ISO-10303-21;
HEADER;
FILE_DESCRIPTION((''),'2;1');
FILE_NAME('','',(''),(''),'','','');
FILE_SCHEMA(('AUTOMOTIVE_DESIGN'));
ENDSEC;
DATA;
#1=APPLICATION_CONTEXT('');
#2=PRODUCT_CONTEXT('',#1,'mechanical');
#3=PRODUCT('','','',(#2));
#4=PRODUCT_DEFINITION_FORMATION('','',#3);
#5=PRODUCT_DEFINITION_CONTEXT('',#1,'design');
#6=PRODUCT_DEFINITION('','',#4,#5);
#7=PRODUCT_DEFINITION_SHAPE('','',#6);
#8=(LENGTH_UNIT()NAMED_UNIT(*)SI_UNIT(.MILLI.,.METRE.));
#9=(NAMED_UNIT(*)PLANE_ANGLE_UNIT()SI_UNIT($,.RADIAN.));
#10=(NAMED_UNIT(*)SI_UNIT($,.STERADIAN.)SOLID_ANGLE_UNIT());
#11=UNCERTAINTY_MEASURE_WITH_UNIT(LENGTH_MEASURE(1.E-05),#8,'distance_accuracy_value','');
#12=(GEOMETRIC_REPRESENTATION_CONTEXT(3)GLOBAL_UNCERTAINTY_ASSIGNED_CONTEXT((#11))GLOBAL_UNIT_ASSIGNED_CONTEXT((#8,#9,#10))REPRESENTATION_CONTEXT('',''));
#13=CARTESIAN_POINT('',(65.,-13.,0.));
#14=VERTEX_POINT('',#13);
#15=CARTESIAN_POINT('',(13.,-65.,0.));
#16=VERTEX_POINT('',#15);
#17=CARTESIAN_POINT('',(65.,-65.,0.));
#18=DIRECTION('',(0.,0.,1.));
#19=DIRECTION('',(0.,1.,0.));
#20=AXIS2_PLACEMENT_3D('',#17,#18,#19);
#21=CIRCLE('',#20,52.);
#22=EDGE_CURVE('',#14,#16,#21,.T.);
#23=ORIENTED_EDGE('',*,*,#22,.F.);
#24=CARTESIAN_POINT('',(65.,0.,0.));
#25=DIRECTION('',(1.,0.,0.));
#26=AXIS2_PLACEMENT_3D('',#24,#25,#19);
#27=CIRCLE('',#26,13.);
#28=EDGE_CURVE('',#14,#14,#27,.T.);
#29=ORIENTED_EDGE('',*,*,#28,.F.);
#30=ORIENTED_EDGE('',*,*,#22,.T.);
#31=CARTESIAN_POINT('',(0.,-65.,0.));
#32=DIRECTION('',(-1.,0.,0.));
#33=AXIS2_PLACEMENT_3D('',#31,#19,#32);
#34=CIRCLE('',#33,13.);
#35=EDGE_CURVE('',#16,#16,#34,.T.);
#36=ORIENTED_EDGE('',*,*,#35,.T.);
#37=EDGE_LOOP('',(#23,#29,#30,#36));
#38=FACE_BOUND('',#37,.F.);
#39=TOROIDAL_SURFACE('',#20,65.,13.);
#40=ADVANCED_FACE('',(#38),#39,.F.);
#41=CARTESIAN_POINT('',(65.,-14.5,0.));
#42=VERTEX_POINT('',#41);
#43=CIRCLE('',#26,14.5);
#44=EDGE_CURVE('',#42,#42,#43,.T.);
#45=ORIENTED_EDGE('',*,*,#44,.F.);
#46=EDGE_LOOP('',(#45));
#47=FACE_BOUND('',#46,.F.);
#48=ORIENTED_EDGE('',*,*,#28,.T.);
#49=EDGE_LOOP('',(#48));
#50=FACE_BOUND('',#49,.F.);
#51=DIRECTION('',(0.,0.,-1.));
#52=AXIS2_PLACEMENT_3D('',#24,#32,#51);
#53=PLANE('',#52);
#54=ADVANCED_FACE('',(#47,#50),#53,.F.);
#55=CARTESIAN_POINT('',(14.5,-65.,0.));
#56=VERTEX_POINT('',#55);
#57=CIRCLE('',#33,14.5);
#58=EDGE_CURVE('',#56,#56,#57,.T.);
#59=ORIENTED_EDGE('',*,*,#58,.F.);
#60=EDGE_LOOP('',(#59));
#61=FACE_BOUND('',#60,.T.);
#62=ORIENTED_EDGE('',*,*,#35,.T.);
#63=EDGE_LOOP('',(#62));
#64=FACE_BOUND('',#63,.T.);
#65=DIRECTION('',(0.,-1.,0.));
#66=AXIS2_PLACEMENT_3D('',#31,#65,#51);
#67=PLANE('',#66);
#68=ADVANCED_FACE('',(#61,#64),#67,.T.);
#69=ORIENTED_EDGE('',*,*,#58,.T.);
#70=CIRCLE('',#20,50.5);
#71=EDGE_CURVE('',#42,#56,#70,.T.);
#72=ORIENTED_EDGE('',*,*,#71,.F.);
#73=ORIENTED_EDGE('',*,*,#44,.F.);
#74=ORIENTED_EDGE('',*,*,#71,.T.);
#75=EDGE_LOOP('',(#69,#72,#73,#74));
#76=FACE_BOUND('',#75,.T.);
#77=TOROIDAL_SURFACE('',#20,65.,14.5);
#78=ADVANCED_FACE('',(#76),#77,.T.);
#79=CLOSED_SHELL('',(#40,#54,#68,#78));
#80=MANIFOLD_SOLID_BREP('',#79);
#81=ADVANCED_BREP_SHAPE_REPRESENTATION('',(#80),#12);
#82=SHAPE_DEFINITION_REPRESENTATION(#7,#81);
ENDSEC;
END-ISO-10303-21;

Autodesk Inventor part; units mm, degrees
ref_plane "YZ Plane" through (0, 0, 0) normal (1, 0, 0) x (0, 1, 0)
ref_plane "XZ Plane" through (0, 0, 0) normal (0, 1, 0) x (-1, 0, 0)
sketch "Szkic6" plane through (0, 0, 0) normal (0, 0, 1) x (1, 0, 0)
  line L0 (-29.6067, 0) -> (35.2678, 0) construction
  line L1 (0, 42.3419) -> (0, -58.3726) construction
  arc A0 (65, 0) -> (0, -65) centre (65, -65) ccw
  line L2 (0, -65) -> (65, -65) construction
  line L3 (65, -65) -> (65, 0.5331) construction
  line L4 (65, 0) -> (65, 0)
  line L5 (0, -65) -> (0, -65)
  point P0 (0, 0)
  dimension "d24" = 65
  dimension "d31" = 90
  dimension "d36" = 0
  dimension "d37" = 0
ref_plane "Płaszczyzna konstrukcyjna2" through (0, -65, 0) normal (0, -1, 0) x (1, 0, 0)
sketch "Szkic8" plane through (0, -65, 0) normal (0, -1, 0) x (1, 0, 0)
  circle A0 centre (0, 0) radius 14.5
  circle A1 centre (0, 0) radius 13
  dimension "d32" = 29
  dimension "d33" = 1.5
sweep "Przeciągnięcie2" add profiles "Szkic8" path "Szkic6"
equation "\"d32\" = OD"
equation "\"d33\" = THK"
equation "\"d24\" = R"
equation "\"d31\" = KAT"
equation "\"SzerokośćGięciaPodcięcia\" = Grubość"
equation "\"RozmiarPodcięciaNarożnika\" = 4 * Grubość"
equation "\"PromieńPrzejścia\" = PromieńGięcia"
equation "\"Rozmiar_promienia_Jacobiego\" = PromieńGięcia"
equation "\"Wielk_odstępu\" = Grubość"
equation "\"d2\" = PromieńGięcia"
equation "\"d23\" = PromieńGięcia"
equation "\"R\" = 65"
equation "\"OD\" = 29"
equation "\"THK\" = 1.5"
equation "\"KAT\" = 90deg"
equation "\"PROSTKA\" = 0"
equation "\"Grubość\" = 1.5"
equation "\"PromieńGięcia\" = 3"
properties part number "Kolano 90° ø29x1,5 R65" material "304L"
